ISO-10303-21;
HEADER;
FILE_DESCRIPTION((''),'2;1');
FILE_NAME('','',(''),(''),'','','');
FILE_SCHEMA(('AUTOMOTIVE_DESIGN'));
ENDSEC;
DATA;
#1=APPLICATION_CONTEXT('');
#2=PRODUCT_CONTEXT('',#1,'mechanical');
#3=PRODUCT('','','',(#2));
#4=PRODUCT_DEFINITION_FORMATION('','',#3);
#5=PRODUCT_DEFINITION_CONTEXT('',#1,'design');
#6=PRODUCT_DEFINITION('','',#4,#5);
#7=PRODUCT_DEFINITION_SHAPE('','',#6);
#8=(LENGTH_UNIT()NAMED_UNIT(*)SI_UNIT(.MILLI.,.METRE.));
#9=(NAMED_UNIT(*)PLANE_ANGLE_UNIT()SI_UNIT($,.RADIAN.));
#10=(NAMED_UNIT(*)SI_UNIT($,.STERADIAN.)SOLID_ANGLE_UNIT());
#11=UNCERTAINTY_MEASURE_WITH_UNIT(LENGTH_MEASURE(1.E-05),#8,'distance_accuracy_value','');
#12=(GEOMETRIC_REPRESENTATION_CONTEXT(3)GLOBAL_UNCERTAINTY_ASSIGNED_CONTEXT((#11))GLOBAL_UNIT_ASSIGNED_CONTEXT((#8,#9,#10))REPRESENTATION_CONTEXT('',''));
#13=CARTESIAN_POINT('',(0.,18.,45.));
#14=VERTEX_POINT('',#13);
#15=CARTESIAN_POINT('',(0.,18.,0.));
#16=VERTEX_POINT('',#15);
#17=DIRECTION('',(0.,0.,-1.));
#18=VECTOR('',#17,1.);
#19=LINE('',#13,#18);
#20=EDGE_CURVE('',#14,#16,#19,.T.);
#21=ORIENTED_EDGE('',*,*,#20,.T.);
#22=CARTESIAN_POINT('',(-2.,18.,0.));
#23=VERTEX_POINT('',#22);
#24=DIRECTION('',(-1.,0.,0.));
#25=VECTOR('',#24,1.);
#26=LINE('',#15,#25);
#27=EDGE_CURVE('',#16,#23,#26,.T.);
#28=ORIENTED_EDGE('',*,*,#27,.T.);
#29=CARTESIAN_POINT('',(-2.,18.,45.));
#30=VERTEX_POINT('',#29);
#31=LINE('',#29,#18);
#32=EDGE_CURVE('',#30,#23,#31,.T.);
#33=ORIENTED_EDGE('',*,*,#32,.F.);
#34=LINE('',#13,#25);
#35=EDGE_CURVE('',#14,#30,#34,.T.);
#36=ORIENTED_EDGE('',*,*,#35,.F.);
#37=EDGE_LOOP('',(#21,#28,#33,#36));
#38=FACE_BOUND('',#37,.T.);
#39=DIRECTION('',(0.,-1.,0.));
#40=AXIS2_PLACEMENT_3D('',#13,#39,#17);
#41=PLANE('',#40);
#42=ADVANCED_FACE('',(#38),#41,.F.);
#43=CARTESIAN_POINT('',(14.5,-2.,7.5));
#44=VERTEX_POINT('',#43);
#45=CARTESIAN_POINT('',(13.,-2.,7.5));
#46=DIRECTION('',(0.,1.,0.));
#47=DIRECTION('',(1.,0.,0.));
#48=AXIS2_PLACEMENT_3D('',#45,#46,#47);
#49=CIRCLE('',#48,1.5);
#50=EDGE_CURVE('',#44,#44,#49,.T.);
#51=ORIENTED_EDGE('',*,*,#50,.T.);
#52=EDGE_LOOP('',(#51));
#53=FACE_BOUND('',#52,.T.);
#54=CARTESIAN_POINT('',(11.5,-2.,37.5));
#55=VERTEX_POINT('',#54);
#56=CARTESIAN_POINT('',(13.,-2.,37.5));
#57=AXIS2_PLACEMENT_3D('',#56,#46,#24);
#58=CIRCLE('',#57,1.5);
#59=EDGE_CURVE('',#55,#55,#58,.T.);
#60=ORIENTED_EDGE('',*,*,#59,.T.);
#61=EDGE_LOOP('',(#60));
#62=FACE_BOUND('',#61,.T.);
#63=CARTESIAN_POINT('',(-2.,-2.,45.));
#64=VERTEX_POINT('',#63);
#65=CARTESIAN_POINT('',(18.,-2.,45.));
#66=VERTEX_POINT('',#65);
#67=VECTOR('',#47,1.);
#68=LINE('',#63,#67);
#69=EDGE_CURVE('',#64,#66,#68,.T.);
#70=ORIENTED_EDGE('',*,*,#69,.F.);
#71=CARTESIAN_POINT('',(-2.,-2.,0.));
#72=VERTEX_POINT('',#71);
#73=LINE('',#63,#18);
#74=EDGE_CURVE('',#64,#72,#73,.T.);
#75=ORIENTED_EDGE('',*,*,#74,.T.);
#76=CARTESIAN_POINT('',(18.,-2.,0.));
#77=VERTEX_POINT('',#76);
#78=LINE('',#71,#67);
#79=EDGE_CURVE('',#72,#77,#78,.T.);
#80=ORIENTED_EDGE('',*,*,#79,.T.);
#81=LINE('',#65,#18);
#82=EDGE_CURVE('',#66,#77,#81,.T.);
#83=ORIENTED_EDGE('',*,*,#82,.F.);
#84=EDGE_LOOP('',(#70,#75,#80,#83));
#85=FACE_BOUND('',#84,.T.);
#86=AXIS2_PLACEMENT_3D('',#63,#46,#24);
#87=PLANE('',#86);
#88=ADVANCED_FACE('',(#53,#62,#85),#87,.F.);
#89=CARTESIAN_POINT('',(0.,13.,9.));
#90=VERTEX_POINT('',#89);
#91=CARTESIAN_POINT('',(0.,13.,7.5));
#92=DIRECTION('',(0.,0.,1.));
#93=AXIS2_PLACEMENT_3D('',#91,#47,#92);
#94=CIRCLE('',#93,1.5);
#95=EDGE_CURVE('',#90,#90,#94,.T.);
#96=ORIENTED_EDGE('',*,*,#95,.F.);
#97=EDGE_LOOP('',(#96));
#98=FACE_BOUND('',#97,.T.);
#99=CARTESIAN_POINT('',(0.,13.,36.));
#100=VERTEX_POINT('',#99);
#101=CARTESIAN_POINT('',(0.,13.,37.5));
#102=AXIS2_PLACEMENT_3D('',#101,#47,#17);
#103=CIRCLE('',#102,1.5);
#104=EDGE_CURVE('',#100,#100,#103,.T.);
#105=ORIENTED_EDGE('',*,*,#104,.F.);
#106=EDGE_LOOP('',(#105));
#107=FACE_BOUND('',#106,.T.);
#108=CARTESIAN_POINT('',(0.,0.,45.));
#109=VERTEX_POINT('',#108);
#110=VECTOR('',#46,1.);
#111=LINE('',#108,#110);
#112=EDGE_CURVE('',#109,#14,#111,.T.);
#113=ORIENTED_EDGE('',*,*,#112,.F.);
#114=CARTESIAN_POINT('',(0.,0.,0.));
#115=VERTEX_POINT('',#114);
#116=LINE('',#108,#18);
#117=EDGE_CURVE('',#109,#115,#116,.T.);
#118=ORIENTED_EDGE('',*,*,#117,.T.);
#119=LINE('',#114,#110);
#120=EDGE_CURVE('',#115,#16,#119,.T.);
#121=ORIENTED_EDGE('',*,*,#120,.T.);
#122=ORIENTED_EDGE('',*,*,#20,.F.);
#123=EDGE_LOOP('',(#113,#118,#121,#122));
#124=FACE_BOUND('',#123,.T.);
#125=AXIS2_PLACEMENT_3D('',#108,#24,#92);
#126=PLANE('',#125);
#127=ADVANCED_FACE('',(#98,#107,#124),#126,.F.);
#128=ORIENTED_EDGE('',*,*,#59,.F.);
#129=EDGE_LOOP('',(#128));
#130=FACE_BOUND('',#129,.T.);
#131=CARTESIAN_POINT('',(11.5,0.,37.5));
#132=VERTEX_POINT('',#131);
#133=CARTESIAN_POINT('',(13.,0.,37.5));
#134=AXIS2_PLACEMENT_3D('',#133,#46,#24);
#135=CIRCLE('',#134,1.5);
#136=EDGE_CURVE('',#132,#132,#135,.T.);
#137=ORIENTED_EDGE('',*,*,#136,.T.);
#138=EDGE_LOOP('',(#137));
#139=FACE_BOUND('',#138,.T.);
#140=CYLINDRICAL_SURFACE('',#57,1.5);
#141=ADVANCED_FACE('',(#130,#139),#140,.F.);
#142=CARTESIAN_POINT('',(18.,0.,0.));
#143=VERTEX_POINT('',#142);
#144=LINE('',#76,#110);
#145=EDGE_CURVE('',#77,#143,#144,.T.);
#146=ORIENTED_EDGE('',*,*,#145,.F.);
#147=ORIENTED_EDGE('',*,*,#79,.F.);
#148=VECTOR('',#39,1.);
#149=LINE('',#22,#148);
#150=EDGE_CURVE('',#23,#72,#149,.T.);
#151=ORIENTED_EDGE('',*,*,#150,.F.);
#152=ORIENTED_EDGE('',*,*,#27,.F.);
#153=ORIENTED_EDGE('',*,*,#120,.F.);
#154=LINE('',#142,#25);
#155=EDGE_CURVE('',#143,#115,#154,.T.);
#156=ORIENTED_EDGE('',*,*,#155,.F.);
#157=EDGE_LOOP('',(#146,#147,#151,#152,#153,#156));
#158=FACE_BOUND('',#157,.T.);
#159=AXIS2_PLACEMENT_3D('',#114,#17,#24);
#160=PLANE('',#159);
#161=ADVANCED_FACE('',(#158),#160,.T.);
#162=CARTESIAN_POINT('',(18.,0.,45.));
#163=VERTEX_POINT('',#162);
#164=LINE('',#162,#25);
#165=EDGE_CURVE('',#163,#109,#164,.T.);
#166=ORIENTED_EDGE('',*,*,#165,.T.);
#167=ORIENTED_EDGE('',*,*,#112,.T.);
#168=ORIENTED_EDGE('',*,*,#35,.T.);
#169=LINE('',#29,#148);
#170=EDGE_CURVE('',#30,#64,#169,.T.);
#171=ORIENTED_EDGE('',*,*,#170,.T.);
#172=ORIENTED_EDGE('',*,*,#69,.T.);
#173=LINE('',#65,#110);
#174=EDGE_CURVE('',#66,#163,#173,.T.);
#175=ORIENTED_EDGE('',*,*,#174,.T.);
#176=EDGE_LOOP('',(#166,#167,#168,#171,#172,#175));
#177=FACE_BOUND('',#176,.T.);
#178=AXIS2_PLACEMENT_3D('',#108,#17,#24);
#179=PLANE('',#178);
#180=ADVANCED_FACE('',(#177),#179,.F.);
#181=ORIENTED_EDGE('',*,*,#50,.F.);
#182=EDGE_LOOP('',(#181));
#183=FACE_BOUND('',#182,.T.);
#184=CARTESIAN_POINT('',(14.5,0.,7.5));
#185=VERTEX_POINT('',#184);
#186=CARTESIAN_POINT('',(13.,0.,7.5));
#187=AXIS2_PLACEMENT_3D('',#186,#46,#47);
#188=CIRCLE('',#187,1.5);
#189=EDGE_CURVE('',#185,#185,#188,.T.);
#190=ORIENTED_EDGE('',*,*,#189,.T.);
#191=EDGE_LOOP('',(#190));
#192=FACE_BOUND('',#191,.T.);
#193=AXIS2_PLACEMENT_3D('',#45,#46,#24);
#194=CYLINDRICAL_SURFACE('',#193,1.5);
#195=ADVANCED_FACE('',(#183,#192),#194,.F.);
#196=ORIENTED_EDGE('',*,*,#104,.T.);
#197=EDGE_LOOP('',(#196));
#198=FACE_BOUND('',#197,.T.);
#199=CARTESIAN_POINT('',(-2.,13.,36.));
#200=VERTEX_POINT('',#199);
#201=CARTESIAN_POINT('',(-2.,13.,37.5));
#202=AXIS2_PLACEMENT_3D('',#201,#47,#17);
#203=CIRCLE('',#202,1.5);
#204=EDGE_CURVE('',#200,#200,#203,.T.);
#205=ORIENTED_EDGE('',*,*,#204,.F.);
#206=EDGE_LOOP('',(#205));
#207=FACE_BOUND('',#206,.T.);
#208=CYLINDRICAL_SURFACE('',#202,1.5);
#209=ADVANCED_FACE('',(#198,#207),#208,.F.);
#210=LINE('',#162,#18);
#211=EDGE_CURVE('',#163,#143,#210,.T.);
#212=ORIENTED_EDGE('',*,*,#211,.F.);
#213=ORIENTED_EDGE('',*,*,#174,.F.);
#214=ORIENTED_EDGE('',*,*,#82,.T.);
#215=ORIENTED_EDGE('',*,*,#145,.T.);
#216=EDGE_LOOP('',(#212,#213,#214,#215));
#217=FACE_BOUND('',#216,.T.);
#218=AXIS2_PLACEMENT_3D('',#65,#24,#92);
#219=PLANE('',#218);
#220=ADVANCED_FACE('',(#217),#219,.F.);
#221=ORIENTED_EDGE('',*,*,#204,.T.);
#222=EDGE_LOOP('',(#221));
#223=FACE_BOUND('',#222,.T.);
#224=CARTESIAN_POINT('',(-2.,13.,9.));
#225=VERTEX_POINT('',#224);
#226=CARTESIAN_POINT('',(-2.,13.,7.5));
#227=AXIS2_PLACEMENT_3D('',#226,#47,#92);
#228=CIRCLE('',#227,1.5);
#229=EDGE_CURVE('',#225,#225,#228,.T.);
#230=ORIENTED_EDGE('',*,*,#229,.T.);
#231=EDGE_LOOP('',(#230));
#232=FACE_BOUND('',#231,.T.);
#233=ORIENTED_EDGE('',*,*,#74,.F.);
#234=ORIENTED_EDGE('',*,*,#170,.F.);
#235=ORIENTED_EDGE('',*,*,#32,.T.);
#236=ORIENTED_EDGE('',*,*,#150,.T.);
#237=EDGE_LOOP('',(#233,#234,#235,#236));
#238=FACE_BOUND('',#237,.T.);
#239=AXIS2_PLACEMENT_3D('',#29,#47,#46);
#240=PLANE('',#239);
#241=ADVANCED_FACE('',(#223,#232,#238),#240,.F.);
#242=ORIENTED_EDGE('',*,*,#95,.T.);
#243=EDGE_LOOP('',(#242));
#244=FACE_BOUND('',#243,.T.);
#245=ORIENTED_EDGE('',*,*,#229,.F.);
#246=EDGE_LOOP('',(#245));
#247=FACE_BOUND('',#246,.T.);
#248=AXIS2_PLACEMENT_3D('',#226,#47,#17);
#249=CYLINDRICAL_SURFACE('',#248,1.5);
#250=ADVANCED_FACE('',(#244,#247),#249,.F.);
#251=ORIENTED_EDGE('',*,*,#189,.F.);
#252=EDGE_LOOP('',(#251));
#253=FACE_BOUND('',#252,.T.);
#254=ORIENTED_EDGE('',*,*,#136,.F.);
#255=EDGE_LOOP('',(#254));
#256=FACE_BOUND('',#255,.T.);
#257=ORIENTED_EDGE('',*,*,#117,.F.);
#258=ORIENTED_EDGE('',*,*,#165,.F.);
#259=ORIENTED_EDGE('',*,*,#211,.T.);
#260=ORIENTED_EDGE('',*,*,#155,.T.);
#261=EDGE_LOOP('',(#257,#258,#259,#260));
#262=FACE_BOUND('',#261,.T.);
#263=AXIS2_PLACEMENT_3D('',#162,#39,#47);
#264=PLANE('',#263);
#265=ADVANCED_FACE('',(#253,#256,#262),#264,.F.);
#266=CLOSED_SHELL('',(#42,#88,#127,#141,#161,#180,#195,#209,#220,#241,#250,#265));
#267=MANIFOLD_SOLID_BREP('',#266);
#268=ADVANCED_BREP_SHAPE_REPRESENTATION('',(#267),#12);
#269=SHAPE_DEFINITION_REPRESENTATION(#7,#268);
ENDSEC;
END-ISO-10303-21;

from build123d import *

# Parameters (mm, degrees)
EXTRUDE_1_DEPTH     = 45
SKETCH_2_R          = 1.5
CUT_EXTRUDE_1_DEPTH = 52.701063819
SKETCH_3_R          = 1.5
CUT_EXTRUDE_2_DEPTH = 52.701063819


with BuildPart() as part:
    # 草图1 → 凸台-拉伸1 (new body)
    with BuildSketch(Plane.XY):
        Polygon((0, 0), (0, 18), (-2, 18), (-2, -2), (18, -2), (18, 0), align=None)
    extrude(amount=EXTRUDE_1_DEPTH)

    # 草图2 → 切除-拉伸1 (cut, through all)
    with BuildSketch(Plane(origin=(0, 0, 0), x_dir=(0, 0, -1), z_dir=(1, 0, 0))):
        with Locations((-37.5, 13)):
            Circle(SKETCH_2_R)
        with Locations(Location((-7.5, 13, 0), (0, 0, 180))):
            Circle(SKETCH_2_R)
    extrude(amount=-CUT_EXTRUDE_1_DEPTH, mode=Mode.SUBTRACT)

    # 草图3 → 切除-拉伸2 (cut, through all)
    with BuildSketch(Plane(origin=(0, 0, 0), x_dir=(1, 0, 0), z_dir=(0, 1, 0))):
        with Locations(Location((13, -37.5, 0), (0, 0, 180))):
            Circle(SKETCH_3_R)
        with Locations((13, -7.5)):
            Circle(SKETCH_3_R)
    extrude(amount=-CUT_EXTRUDE_2_DEPTH, mode=Mode.SUBTRACT)


solid = part.part
